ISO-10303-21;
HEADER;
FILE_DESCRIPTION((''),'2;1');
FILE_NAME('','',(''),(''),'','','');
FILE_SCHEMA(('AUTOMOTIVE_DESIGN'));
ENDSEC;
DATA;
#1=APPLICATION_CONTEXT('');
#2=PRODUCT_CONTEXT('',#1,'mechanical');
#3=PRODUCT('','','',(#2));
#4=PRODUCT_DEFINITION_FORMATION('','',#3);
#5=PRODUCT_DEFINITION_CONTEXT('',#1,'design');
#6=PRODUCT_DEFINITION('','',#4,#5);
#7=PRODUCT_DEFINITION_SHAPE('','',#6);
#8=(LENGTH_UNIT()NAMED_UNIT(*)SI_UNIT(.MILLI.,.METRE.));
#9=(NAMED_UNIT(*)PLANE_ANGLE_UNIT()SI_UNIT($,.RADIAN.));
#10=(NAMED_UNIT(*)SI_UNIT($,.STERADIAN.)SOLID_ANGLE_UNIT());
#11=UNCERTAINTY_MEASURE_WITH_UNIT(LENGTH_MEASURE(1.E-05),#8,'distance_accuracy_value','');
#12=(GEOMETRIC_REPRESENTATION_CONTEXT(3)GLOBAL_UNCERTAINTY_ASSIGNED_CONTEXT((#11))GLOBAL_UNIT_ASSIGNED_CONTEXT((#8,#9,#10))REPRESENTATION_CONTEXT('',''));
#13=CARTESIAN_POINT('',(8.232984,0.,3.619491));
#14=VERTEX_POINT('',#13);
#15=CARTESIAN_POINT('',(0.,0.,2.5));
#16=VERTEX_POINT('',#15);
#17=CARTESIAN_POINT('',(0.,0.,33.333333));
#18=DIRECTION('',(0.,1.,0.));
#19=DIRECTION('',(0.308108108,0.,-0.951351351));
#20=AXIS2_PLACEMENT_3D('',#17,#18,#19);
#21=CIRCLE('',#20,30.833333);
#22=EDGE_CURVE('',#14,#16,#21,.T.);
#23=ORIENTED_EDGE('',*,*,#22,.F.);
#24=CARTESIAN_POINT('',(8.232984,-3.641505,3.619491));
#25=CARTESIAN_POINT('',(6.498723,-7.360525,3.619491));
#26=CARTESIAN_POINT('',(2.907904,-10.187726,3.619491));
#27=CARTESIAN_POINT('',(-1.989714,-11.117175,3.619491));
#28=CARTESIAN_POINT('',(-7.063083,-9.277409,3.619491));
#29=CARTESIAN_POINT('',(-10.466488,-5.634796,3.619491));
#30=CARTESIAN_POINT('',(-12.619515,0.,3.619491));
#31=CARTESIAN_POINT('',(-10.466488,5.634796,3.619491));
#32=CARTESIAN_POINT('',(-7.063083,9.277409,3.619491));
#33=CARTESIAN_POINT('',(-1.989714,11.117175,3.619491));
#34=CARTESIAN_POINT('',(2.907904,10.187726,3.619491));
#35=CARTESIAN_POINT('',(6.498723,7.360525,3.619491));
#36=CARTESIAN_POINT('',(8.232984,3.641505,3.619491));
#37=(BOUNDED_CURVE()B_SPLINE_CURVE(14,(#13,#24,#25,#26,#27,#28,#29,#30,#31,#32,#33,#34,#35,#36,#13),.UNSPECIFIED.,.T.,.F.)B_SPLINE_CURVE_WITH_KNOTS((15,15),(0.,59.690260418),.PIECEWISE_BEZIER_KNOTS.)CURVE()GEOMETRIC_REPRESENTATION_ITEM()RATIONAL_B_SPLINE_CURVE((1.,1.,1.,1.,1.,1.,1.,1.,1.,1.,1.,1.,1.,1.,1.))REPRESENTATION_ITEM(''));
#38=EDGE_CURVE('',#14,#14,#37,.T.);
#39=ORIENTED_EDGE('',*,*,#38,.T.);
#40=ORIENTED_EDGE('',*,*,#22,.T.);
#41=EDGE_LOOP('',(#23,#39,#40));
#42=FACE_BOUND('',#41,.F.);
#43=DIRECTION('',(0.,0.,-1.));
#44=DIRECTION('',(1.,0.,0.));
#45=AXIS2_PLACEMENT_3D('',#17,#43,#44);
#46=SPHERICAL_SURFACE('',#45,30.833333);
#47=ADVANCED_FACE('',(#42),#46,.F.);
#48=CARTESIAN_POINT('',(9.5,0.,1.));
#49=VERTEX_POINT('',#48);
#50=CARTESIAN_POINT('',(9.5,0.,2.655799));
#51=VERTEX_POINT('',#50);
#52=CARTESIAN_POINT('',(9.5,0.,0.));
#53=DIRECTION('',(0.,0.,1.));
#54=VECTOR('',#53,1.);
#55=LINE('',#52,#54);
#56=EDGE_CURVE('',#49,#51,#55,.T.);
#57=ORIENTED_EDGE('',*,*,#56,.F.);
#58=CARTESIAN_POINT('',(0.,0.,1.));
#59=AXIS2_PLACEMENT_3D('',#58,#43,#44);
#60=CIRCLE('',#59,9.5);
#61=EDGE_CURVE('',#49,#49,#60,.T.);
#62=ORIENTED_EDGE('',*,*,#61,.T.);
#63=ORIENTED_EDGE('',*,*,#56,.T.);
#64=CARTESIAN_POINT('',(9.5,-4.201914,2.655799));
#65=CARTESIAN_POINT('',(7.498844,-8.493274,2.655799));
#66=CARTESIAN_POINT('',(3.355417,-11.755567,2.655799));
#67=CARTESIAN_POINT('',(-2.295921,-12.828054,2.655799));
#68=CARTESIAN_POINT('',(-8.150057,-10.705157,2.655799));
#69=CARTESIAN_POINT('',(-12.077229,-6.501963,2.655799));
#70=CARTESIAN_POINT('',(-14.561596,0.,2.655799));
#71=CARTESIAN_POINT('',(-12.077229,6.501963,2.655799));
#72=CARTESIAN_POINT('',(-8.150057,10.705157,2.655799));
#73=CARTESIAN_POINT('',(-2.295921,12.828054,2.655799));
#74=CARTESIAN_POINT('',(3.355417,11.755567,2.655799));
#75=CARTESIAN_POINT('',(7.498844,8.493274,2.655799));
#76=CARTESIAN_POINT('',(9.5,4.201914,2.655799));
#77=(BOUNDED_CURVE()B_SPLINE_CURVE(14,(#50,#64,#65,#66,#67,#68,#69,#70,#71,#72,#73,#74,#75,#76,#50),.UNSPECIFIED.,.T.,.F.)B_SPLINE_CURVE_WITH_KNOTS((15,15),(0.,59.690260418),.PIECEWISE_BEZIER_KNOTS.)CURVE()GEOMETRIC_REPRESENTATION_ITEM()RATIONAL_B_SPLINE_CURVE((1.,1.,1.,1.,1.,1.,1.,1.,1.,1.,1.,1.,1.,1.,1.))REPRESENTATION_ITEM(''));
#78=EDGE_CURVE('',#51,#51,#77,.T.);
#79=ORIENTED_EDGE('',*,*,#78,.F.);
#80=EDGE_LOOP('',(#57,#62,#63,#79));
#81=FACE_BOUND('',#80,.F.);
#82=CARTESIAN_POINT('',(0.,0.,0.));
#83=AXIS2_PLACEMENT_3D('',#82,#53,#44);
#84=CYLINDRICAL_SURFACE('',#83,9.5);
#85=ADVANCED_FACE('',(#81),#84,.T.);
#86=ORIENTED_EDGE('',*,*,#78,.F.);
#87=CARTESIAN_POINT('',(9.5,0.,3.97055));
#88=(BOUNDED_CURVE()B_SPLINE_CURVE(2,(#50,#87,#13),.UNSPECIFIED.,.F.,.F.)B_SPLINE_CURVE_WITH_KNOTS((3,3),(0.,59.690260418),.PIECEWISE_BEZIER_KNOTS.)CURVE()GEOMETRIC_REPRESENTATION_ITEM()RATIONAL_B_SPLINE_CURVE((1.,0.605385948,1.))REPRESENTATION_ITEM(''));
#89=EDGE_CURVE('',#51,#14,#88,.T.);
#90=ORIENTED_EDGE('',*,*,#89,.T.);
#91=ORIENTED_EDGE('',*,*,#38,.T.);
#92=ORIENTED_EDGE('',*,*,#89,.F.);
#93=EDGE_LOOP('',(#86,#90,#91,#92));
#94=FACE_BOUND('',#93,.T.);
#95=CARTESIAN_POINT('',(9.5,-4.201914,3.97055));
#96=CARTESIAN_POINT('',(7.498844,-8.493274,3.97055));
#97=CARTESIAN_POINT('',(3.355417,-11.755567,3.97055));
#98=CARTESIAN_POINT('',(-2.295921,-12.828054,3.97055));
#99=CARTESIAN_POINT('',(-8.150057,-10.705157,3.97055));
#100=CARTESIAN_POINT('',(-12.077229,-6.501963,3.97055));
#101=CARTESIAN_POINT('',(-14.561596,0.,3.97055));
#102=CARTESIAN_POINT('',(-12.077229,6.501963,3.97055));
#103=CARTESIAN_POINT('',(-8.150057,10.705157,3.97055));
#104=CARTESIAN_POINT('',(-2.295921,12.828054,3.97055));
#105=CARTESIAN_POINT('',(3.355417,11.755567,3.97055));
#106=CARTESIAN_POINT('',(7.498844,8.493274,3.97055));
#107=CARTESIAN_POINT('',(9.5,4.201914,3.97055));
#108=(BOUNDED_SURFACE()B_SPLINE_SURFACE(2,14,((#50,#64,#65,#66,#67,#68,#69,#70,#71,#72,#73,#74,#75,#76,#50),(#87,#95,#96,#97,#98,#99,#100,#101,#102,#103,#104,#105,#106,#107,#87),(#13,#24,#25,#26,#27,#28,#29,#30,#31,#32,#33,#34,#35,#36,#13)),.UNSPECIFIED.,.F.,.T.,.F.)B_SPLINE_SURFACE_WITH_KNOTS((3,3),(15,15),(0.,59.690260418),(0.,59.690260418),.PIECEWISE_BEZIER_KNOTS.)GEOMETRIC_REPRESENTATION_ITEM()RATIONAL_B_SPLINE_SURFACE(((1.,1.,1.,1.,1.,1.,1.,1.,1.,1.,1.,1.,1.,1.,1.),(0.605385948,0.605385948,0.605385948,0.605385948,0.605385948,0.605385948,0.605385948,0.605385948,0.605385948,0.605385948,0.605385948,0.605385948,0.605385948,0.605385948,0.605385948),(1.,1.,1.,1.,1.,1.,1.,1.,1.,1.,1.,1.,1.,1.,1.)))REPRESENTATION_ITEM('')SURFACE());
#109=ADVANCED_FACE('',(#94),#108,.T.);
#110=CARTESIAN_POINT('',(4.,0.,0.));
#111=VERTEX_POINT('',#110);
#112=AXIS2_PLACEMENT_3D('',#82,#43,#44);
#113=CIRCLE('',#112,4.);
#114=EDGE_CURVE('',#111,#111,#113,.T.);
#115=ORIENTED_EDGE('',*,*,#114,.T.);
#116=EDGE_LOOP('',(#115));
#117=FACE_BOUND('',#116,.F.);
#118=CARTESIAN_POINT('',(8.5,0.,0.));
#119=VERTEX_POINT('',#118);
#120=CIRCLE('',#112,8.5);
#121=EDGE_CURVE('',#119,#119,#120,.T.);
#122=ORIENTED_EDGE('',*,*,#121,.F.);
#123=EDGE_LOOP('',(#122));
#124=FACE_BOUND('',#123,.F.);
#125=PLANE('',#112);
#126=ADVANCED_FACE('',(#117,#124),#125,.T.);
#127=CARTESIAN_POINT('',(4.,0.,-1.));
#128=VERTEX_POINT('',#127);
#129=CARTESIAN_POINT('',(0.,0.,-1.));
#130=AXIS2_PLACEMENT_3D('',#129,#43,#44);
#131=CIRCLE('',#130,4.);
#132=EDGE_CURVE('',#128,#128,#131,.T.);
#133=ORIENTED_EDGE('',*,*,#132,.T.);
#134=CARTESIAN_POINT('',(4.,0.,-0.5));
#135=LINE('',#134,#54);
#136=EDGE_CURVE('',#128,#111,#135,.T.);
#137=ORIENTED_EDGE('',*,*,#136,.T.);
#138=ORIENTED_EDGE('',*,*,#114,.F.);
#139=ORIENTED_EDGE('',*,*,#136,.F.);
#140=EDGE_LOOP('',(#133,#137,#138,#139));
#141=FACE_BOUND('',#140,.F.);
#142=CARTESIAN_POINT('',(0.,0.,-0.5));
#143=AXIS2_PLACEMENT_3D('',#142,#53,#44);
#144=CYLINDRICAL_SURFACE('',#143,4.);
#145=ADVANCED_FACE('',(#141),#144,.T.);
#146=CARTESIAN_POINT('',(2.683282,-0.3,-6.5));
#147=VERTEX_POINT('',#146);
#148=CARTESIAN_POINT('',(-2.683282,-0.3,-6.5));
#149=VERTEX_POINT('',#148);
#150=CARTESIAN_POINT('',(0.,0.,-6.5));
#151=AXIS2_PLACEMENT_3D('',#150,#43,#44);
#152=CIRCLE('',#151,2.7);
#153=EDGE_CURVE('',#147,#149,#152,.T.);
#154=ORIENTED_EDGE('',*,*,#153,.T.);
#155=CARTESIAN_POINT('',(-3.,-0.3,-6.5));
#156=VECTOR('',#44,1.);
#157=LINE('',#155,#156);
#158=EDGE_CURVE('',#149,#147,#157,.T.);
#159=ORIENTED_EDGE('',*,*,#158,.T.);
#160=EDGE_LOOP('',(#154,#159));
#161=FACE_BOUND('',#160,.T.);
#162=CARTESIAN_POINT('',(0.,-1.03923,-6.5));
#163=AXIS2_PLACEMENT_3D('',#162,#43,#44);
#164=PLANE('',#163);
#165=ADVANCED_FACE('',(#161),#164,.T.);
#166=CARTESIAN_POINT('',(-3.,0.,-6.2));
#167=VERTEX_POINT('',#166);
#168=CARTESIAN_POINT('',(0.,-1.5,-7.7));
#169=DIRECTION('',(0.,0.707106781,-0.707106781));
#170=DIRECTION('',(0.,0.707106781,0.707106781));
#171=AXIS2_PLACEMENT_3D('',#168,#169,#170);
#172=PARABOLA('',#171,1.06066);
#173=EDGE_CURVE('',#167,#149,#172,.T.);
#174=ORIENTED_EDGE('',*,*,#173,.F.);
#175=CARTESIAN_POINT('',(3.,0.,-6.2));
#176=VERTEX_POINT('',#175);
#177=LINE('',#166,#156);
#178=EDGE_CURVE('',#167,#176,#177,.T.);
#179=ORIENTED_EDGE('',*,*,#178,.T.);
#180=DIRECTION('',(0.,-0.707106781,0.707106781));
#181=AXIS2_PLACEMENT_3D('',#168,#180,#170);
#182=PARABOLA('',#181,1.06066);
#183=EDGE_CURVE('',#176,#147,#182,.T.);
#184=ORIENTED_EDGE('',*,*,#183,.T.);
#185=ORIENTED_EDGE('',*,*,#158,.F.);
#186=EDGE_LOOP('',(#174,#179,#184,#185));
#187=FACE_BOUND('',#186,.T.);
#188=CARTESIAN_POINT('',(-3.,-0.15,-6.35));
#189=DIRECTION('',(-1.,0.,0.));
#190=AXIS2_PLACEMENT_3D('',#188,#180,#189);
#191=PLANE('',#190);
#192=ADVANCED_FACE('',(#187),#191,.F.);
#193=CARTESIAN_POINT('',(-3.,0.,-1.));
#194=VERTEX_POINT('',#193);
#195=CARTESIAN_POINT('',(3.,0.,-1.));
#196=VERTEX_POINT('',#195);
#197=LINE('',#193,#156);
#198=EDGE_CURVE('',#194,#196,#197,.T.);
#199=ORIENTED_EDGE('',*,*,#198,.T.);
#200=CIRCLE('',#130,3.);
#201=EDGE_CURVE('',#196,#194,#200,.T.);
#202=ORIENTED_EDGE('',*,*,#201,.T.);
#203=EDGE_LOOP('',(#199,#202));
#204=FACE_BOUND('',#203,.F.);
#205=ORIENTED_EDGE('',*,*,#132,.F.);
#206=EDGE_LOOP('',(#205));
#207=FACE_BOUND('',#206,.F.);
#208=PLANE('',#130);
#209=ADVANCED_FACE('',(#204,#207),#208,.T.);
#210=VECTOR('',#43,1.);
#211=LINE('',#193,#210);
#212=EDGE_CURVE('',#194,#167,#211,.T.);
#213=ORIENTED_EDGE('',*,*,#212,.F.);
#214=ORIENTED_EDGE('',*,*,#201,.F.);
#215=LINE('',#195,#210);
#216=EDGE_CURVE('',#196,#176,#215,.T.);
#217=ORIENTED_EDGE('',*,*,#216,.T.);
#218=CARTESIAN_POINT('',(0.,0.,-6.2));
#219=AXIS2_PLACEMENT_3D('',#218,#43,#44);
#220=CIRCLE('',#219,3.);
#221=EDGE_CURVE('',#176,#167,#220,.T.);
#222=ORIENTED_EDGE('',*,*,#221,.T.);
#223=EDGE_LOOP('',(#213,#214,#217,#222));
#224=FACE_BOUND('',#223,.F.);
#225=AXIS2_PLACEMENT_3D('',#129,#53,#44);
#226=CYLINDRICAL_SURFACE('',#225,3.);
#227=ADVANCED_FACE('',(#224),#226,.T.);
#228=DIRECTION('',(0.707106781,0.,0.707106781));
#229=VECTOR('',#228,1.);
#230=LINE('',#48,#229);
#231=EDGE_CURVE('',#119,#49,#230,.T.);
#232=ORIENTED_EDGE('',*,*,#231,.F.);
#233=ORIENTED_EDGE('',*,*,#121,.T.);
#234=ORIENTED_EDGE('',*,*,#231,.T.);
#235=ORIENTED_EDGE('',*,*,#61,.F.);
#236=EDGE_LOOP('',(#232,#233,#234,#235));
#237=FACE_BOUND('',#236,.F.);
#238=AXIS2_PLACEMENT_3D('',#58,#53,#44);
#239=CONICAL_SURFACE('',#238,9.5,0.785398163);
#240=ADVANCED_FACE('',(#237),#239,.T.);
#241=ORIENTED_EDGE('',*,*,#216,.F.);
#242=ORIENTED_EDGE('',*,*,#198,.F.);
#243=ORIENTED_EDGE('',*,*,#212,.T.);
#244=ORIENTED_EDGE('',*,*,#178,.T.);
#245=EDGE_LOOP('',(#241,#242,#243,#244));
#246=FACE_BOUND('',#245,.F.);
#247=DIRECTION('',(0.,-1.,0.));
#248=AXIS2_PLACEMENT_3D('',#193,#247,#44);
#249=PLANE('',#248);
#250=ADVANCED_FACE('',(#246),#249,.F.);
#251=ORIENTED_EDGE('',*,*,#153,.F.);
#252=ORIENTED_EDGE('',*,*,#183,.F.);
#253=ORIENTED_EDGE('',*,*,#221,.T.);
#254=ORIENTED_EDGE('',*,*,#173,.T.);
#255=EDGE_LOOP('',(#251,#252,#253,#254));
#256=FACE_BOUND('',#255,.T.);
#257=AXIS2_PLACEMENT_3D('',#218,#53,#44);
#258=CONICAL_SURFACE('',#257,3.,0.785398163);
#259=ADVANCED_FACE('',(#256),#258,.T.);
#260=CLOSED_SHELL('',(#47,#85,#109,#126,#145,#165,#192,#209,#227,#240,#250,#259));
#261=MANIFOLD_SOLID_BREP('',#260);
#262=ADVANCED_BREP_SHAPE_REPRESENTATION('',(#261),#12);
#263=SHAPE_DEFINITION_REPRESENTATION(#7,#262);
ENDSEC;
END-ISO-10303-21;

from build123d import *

# Parameters (mm, degrees)
F0_W     = 4
F0_H     = 1
F2_SIZE  = 1
F3_R     = 1
F5_DEPTH = 5.5
F6_SIZE  = 0.3


with BuildPart() as f1:
    # F0 (on Front) → F1 (revolve)
    with BuildSketch(Plane.XZ):
        with BuildLine():
            ThreePointArc((9.5, 4), (4.8088460154, 2.877308569), (0, 2.5))
            Line((0, 2.5), (0, 0))
            Line((0, 0), (4, 0))
            Line((4, 0), (9.5, 0))
            Line((9.5, 0), (9.5, 4))
        make_face()
        with Locations((2, -0.5)):
            Rectangle(F0_W, F0_H)
    revolve(axis=Axis((0, 0, 1.25), (0, 0, -1)))

    # F2
    f2_edges = [f1.edges().sort_by_distance(p)[0] for p in [
        (-9.5, 0, 0),
    ]]
    chamfer(f2_edges, length=F2_SIZE)

    # F3
    f3_edges = [f1.edges().sort_by_distance(p)[0] for p in [
        (-9.5, 0, 4),
    ]]
    fillet(f3_edges, radius=F3_R)

    # F4 (on face) → F5 (join)
    with BuildSketch(Plane(origin=(0, 0, -1), x_dir=(1, 0, 0), z_dir=(0, 0, -1))):
        with BuildLine():
            Line((-3, 0), (3, 0))
            ThreePointArc((3, 0), (0, 3), (-3, 0))
        make_face()
    extrude(amount=F5_DEPTH)

    # F6
    f6_edges = [f1.edges().sort_by_distance(p)[0] for p in [
        (0, 0, -6.5),
        (0, -3, -6.5),
    ]]
    chamfer(f6_edges, length=F6_SIZE)


solid = f1.part
